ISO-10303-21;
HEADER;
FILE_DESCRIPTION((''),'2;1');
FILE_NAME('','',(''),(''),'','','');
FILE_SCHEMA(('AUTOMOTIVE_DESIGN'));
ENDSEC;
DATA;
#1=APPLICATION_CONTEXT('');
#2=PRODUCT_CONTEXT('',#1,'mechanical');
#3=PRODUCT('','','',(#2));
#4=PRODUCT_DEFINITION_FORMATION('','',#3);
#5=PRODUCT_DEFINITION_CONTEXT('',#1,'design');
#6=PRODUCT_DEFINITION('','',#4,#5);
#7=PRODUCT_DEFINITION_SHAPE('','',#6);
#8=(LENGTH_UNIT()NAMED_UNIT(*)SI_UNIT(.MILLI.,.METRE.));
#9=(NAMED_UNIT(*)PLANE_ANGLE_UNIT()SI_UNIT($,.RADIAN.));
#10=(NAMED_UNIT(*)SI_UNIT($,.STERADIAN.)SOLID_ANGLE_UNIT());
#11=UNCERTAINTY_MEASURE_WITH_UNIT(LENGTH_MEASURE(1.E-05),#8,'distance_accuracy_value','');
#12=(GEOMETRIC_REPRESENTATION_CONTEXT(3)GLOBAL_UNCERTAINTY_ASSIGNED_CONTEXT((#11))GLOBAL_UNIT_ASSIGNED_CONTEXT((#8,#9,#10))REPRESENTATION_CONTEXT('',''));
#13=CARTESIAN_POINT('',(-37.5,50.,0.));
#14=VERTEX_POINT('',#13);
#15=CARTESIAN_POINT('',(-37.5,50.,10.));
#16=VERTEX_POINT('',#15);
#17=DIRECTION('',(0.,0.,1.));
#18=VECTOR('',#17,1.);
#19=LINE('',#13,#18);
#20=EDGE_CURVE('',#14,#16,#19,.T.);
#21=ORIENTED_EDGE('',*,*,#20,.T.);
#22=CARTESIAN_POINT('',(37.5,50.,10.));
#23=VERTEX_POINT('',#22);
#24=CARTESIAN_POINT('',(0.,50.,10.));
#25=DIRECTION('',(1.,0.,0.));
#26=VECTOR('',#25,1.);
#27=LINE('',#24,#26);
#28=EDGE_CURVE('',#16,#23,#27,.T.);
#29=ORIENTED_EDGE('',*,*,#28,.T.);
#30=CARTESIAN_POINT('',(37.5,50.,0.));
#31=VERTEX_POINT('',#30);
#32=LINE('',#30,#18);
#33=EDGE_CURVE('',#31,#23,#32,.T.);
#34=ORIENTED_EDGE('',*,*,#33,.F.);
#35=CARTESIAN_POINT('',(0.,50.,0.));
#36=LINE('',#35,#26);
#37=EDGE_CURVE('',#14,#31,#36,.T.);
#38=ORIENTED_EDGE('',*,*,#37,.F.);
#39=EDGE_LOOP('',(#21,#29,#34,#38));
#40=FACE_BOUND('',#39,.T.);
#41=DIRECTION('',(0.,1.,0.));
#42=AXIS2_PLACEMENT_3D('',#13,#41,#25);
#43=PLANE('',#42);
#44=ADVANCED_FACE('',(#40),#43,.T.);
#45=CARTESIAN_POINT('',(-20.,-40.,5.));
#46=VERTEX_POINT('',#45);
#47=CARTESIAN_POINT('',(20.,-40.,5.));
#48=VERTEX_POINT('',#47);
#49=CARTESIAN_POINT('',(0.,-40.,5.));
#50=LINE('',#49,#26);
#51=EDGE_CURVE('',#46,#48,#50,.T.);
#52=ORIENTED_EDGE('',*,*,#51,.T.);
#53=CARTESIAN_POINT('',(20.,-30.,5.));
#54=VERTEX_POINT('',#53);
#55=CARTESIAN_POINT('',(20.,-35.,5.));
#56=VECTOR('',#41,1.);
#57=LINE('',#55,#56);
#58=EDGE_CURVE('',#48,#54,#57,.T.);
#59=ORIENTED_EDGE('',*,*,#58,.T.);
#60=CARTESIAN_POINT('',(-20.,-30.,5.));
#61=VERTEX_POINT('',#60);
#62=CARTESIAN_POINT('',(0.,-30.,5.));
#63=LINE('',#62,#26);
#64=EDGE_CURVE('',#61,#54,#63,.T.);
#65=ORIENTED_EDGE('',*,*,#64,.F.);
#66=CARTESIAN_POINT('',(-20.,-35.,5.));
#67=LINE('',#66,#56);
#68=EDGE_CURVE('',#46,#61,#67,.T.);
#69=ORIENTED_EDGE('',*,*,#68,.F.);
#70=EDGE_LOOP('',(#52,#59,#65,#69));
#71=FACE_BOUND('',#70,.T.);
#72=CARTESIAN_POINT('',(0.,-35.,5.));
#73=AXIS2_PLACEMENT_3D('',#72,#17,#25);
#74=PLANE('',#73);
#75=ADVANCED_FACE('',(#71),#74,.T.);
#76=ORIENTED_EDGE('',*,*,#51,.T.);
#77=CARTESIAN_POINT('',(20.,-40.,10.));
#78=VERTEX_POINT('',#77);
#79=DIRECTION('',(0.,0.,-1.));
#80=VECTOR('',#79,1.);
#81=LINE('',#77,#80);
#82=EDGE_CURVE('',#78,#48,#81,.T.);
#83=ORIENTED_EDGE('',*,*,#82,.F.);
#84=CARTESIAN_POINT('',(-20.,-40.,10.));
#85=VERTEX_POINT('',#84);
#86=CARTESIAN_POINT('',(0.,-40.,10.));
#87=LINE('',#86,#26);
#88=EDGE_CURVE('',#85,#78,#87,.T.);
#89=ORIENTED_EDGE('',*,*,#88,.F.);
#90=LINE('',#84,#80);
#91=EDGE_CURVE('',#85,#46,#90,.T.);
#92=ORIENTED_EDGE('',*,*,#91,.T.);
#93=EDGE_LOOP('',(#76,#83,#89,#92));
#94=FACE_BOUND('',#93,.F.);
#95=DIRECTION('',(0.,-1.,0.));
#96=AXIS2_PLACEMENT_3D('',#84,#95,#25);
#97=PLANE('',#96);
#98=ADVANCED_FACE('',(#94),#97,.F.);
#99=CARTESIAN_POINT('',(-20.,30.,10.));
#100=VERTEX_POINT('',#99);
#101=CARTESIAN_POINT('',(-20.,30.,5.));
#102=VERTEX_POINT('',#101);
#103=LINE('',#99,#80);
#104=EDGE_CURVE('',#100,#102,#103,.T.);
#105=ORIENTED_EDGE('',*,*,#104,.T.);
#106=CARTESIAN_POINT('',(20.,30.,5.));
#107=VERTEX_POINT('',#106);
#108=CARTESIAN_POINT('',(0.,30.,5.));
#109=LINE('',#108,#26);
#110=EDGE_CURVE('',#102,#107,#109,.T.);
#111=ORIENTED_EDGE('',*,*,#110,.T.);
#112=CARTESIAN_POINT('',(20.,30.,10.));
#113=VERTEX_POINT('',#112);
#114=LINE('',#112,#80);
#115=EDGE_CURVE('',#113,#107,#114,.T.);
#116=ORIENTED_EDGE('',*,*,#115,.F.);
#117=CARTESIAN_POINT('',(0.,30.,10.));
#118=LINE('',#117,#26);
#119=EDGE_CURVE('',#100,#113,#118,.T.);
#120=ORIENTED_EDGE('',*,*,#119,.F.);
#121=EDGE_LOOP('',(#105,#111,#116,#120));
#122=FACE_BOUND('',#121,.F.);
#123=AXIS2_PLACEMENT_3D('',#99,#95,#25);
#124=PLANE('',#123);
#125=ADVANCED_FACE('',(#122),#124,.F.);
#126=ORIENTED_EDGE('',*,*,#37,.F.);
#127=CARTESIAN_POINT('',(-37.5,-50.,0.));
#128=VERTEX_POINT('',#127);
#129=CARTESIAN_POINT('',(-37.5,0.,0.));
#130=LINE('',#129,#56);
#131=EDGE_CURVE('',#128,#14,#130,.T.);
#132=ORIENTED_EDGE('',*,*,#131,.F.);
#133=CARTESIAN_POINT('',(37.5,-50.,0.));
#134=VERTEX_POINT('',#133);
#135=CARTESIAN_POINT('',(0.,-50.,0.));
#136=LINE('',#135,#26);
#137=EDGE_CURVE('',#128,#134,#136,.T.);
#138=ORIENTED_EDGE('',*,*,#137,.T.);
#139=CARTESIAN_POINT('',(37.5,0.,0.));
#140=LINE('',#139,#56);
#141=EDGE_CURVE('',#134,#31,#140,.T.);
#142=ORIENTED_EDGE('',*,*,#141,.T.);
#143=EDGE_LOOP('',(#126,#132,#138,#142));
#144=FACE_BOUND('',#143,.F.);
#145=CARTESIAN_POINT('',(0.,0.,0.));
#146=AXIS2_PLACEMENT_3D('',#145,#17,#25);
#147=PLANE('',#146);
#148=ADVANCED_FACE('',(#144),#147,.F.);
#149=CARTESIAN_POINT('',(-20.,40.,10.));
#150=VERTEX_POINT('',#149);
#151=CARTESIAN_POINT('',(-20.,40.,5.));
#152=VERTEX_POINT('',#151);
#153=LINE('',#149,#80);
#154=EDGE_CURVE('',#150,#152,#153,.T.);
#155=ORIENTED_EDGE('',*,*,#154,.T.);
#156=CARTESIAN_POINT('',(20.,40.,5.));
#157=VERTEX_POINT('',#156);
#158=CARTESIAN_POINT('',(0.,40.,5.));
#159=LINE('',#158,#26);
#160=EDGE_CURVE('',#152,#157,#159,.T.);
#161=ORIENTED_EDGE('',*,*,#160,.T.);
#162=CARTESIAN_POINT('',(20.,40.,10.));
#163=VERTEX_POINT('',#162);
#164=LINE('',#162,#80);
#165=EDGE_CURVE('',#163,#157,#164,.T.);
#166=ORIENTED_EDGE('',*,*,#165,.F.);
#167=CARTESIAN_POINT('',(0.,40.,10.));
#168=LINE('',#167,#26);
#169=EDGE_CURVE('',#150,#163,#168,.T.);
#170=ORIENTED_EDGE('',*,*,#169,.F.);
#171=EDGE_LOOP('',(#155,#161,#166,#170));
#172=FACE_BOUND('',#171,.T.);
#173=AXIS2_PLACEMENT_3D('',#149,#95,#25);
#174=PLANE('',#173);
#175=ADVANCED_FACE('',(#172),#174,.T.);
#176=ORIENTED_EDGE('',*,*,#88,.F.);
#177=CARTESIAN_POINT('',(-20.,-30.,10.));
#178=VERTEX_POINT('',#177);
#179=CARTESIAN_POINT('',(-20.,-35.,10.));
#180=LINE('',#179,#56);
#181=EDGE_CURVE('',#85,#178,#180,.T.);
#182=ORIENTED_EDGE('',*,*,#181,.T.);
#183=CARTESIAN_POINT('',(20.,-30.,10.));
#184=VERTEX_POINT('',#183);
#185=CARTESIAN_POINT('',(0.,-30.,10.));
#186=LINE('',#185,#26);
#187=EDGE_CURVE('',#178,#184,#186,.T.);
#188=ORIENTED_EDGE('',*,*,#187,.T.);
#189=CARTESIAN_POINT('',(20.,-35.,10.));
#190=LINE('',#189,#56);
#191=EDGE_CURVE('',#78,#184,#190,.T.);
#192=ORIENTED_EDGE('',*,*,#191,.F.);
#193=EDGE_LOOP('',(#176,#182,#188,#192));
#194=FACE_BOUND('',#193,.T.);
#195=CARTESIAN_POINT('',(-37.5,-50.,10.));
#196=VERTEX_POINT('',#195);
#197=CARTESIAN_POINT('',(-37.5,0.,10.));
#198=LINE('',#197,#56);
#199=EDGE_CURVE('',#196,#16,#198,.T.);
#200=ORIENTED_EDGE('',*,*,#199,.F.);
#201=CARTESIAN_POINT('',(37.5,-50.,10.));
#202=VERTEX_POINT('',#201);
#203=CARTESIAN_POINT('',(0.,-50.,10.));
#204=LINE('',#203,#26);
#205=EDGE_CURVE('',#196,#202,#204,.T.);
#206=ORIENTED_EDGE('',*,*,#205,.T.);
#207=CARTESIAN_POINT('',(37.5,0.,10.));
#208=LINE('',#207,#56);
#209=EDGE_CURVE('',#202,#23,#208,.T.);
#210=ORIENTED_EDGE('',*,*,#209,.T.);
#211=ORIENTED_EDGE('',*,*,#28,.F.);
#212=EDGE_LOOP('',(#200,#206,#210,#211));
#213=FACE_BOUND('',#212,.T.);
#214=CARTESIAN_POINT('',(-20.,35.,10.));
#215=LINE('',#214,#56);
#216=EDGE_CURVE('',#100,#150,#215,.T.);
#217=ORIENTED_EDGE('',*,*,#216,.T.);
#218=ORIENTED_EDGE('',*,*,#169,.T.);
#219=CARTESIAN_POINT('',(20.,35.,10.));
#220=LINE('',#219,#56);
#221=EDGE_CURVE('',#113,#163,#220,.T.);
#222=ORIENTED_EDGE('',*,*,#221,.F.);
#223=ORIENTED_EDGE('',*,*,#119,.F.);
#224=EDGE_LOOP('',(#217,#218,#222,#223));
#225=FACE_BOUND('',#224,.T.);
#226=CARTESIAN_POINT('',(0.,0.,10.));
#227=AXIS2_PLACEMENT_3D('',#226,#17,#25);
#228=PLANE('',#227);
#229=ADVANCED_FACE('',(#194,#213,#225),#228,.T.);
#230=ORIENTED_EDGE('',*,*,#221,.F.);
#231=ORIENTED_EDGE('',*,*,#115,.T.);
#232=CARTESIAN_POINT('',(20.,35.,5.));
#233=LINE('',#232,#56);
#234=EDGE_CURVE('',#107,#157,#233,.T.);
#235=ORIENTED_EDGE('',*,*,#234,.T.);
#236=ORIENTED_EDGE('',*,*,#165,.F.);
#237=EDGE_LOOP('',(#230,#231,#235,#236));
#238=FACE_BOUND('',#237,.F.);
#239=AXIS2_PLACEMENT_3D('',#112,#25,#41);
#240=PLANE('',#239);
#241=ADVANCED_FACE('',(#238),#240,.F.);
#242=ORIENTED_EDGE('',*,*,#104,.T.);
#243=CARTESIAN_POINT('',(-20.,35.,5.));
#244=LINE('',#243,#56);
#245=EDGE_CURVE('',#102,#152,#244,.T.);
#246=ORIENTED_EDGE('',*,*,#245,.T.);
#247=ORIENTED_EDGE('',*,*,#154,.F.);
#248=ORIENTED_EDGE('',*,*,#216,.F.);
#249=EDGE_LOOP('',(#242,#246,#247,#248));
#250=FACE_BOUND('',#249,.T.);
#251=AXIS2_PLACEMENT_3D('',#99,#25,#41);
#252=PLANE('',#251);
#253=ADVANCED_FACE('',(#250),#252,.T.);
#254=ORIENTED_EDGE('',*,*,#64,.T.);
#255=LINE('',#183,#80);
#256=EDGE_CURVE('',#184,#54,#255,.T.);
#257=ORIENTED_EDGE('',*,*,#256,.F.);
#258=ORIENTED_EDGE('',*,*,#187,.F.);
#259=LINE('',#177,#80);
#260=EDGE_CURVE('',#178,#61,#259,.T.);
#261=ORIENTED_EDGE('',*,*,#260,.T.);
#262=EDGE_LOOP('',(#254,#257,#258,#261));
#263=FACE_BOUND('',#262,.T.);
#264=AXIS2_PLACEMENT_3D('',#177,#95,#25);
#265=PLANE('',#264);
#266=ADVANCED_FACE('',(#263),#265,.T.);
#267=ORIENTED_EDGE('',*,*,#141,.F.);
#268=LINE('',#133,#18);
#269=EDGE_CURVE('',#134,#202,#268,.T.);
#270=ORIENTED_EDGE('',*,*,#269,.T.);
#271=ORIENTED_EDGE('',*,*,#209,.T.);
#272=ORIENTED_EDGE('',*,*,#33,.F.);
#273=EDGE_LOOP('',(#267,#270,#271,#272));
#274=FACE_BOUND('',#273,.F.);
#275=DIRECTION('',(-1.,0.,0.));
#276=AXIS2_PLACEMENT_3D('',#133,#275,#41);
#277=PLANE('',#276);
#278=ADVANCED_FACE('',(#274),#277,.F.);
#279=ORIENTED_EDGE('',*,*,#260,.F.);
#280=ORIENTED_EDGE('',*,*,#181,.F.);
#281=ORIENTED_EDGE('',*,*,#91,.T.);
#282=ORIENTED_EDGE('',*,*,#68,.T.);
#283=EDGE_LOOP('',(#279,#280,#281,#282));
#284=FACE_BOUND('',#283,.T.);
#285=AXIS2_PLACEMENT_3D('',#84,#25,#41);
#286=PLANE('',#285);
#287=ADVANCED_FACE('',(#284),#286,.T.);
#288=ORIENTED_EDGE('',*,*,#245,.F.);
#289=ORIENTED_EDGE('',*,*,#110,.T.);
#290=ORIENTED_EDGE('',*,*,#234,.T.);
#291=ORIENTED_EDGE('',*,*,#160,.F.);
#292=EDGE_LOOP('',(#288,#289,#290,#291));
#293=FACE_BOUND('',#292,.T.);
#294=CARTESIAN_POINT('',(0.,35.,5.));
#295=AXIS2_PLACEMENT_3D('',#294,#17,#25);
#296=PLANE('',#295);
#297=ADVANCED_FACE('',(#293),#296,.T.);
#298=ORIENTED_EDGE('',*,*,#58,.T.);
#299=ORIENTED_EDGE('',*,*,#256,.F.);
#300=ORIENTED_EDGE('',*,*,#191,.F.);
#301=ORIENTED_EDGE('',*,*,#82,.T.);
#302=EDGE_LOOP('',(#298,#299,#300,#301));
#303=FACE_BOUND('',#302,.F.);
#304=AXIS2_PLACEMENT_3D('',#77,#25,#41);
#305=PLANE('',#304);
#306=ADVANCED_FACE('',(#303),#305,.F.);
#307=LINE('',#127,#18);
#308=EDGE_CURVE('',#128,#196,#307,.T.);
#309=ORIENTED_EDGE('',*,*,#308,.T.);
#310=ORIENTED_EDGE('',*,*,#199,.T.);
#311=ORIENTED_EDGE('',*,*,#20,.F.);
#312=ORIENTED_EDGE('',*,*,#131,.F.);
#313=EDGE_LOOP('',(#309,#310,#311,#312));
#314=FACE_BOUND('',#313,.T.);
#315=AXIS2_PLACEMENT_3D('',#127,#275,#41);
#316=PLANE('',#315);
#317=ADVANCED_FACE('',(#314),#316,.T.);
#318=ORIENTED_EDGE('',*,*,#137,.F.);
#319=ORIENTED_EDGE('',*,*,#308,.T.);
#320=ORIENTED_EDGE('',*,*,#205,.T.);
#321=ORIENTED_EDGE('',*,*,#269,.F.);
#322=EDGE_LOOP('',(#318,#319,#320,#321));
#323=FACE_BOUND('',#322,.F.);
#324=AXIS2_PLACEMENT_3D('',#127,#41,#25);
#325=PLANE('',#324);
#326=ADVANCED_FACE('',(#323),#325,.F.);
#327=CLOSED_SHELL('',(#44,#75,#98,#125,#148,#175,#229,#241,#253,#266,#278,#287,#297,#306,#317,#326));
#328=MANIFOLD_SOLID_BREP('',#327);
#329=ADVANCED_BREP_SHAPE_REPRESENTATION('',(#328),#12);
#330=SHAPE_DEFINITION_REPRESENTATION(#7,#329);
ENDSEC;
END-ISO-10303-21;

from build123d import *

# Parameters (mm, degrees)
F0_W     = 75
F0_H     = 100
F1_DEPTH = 10
F2_W     = 40
F2_H     = 10
F3_DEPTH = 5


with BuildPart() as f1:
    # F0 (on Top) → F1 (new body)
    with BuildSketch(Plane.XY):
        Rectangle(F0_W, F0_H)
    extrude(amount=F1_DEPTH)

    # F2 (on face) → F3 (cut)
    with BuildSketch(Plane.XY.offset(10)):
        with Locations((0, 35)):
            Rectangle(F2_W, F2_H)
        with Locations((0, -35)):
            Rectangle(F2_W, F2_H)
    extrude(amount=-F3_DEPTH, mode=Mode.SUBTRACT)


solid = f1.part
